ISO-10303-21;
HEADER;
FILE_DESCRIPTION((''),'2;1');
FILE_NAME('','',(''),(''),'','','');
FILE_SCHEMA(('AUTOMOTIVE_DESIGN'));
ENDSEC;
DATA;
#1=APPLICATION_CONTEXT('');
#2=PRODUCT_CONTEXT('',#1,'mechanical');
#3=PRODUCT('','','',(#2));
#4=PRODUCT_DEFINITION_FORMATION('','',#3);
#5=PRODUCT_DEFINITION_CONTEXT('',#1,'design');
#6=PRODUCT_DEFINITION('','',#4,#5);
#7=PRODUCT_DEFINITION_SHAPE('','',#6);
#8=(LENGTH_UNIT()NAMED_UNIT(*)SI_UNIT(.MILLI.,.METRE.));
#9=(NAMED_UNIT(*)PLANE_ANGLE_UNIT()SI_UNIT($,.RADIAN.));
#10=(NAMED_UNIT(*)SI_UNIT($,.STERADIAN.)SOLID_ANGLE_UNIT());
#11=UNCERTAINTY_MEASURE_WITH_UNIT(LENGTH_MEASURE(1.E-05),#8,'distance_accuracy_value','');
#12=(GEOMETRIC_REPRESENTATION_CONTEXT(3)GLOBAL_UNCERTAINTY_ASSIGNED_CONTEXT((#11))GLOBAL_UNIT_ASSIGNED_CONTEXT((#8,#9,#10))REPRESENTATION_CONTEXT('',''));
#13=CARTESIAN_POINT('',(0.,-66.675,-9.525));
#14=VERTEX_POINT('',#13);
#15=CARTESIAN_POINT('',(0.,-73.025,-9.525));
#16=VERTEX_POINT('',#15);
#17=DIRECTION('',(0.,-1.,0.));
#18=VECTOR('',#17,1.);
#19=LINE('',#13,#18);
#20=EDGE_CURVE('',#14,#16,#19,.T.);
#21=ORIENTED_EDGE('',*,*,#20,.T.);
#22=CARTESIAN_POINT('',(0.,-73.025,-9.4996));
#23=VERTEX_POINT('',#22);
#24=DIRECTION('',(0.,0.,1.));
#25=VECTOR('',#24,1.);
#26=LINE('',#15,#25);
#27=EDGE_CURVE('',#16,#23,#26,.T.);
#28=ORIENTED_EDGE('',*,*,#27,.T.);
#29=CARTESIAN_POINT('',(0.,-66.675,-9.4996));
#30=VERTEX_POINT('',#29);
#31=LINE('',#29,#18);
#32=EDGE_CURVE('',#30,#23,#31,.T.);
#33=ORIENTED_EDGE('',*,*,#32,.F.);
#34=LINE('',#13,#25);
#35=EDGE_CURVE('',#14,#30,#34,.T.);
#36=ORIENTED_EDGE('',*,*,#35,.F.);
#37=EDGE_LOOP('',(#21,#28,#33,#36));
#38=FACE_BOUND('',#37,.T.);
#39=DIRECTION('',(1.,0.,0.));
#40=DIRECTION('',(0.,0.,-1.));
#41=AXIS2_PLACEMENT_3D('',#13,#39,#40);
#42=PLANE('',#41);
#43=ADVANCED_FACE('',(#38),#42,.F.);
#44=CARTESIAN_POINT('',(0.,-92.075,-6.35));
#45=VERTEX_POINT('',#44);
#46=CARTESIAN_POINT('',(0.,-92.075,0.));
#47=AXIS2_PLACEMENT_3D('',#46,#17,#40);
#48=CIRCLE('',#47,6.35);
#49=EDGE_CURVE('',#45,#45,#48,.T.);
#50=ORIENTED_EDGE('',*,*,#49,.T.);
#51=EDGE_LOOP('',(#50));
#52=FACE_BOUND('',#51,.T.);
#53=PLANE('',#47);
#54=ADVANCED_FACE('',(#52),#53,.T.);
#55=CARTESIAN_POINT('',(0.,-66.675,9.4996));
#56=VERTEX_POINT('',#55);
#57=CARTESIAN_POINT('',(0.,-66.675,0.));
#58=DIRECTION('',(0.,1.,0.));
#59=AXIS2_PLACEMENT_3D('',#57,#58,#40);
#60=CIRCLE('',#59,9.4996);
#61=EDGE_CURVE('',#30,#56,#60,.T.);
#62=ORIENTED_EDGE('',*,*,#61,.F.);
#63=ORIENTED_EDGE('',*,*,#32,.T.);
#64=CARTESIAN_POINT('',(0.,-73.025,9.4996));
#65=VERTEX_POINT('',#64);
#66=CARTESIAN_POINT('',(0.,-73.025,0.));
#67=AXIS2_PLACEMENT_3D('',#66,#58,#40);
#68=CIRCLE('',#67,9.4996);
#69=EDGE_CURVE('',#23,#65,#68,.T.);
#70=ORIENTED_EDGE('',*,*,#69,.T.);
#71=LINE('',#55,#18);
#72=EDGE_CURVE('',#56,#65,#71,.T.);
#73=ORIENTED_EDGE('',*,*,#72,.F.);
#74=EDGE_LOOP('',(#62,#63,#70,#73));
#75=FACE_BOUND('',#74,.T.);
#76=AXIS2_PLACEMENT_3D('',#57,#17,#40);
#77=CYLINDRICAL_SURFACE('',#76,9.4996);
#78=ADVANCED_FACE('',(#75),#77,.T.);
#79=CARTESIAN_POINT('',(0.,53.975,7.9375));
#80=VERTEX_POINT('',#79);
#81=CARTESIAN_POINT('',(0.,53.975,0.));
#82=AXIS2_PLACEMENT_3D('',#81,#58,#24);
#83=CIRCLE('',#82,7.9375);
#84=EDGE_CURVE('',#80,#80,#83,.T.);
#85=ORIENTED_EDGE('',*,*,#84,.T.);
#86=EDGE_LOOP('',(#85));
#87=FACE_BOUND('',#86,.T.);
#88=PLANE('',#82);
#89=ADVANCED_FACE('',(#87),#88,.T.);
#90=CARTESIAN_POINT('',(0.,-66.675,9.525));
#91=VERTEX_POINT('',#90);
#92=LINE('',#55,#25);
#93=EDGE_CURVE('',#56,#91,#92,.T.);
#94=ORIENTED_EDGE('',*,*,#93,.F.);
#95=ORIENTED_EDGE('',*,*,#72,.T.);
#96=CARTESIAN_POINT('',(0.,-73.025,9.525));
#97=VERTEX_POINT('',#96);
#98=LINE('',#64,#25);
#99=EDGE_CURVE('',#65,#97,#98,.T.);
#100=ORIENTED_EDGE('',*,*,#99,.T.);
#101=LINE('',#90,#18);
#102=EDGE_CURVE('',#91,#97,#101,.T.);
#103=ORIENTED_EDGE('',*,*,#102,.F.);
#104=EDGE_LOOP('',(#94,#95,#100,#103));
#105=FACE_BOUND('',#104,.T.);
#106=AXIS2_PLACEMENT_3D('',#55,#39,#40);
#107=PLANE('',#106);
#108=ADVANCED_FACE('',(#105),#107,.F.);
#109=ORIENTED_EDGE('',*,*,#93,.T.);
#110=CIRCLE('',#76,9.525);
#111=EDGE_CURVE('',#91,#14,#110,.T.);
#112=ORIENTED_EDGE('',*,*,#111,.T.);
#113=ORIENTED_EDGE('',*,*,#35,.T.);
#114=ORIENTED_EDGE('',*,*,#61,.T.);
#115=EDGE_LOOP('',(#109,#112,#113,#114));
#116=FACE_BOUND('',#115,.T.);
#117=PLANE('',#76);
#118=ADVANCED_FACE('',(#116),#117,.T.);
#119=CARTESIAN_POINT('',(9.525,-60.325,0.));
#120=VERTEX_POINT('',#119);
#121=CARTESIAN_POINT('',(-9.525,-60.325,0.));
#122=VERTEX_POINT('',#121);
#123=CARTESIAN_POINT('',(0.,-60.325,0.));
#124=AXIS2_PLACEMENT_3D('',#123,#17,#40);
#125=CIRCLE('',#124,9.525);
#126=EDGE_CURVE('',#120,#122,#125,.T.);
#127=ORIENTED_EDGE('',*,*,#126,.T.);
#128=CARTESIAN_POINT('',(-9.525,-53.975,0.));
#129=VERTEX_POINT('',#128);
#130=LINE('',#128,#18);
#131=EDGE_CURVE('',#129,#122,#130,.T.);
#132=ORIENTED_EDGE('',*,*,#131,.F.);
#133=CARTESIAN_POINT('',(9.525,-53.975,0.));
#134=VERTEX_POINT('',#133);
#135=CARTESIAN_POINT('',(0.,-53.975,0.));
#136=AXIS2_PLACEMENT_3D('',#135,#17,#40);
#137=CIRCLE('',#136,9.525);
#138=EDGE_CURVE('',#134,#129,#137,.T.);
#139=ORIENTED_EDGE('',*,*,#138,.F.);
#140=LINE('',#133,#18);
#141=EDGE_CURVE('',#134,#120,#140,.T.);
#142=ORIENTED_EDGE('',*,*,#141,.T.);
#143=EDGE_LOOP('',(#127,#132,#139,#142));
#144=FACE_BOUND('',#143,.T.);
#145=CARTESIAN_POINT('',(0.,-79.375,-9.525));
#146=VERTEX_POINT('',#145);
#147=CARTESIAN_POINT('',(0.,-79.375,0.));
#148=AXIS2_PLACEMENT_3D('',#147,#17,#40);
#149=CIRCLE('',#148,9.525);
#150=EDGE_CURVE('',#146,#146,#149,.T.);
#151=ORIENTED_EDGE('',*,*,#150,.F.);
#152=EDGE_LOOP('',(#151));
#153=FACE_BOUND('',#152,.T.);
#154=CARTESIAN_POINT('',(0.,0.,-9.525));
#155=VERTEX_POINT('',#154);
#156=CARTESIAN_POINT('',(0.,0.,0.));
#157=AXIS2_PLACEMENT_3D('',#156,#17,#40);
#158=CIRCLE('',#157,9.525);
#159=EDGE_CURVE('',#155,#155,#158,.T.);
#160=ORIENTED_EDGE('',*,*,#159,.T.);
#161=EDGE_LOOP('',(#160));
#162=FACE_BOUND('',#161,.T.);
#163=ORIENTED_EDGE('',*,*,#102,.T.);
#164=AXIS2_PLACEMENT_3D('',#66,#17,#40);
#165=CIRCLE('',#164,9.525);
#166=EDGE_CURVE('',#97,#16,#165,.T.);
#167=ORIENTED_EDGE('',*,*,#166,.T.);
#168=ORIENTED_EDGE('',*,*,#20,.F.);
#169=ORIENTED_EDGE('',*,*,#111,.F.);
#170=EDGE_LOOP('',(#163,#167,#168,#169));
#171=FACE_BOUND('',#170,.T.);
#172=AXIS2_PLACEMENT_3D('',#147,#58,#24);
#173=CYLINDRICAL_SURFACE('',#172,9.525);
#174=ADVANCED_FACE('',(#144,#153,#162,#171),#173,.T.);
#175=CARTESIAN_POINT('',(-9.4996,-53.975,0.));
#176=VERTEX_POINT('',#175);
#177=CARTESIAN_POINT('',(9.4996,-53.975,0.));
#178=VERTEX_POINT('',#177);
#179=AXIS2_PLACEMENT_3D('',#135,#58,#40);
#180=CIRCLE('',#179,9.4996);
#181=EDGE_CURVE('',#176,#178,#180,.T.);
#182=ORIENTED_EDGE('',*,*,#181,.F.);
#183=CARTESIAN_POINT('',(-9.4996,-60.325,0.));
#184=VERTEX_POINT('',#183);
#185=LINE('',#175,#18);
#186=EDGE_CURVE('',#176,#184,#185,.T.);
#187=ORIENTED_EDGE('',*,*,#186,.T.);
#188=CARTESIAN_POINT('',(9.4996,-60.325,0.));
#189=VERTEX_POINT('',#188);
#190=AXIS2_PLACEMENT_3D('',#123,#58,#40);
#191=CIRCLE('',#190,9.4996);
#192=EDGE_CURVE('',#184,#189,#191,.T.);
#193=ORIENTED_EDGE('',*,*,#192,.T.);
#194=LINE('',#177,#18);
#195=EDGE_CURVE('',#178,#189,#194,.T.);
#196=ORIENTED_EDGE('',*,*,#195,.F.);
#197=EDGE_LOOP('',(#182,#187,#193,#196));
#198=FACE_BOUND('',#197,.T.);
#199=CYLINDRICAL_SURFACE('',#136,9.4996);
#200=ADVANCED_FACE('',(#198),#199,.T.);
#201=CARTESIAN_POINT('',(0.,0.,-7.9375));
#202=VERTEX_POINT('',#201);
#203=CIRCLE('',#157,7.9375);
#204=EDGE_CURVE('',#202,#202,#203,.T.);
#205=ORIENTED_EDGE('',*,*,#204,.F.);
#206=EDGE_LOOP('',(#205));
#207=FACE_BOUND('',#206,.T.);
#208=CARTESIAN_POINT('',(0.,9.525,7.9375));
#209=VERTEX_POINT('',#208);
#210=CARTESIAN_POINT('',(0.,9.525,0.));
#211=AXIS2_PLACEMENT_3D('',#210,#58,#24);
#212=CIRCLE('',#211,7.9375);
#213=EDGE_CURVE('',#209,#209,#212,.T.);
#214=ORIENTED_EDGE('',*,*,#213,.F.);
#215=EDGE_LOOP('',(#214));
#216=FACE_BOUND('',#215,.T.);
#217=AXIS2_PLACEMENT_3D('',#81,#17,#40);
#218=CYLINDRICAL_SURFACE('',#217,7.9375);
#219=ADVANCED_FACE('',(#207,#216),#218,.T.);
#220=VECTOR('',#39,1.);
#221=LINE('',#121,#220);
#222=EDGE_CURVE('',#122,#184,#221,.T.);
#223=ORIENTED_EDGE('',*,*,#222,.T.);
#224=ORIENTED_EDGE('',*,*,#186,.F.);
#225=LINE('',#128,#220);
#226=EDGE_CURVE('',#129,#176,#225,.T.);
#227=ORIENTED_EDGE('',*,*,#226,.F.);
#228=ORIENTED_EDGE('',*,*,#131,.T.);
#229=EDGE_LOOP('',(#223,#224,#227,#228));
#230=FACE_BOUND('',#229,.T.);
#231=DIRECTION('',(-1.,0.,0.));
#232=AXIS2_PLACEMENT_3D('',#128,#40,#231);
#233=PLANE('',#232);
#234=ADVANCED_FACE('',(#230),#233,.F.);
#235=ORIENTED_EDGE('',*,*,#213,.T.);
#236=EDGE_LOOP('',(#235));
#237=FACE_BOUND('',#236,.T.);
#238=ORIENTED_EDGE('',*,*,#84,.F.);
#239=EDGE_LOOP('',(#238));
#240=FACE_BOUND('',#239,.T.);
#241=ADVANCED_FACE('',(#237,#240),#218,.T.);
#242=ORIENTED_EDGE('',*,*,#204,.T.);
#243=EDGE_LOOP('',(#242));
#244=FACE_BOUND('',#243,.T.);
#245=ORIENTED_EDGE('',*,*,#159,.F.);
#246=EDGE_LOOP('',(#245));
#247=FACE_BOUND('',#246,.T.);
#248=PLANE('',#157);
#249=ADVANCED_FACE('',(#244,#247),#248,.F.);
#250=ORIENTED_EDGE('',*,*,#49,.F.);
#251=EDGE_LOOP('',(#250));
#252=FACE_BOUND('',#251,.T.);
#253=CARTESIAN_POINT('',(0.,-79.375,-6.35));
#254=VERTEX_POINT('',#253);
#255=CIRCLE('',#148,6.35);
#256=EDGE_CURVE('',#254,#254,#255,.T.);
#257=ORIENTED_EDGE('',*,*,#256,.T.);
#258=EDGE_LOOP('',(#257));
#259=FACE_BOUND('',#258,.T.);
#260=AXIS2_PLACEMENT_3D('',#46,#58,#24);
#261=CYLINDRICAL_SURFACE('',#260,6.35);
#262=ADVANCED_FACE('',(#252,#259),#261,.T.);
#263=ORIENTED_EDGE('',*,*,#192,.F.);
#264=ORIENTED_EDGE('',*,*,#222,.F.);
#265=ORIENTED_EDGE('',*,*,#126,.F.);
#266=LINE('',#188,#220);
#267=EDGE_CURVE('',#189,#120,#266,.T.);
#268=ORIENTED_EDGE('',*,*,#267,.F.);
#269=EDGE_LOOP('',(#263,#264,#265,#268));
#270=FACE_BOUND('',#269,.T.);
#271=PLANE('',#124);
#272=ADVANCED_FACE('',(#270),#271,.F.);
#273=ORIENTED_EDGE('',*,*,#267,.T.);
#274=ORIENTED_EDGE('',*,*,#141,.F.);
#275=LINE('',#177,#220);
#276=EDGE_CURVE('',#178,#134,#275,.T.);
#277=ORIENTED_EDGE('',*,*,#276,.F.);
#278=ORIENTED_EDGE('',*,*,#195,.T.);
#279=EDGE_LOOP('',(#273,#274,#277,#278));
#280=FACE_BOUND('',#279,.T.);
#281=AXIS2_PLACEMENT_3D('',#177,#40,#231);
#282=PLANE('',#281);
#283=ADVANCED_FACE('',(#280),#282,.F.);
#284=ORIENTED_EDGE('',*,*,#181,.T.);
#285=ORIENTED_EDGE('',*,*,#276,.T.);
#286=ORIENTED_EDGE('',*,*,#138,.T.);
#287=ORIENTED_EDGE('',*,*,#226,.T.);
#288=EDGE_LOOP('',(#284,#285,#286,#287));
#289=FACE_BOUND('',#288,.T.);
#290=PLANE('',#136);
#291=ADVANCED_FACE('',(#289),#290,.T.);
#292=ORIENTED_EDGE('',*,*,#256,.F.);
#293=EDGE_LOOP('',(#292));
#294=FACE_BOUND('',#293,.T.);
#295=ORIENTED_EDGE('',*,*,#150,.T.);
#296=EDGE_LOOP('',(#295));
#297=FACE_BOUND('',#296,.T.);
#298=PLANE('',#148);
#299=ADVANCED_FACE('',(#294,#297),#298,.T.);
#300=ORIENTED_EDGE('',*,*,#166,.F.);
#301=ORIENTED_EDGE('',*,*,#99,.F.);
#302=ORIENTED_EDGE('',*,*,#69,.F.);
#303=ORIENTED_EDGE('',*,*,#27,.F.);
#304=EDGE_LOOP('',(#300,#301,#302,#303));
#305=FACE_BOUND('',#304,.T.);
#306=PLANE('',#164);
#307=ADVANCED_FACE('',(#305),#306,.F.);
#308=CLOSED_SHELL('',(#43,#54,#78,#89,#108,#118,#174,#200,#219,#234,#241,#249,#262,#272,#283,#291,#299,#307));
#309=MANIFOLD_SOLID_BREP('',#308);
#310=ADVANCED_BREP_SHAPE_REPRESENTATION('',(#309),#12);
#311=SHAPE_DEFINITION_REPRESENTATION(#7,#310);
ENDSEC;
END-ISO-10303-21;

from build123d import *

# Parameters (mm, degrees)
SKETCH1_R           = 7.9375
BOSS_EXTRUDE1_DEPTH = 53.975
SKETCH2_R           = 9.525
BOSS_EXTRUDE2_DEPTH = 79.375
SKETCH3_R           = 6.35
BOSS_EXTRUDE3_DEPTH = 12.7
CUT_EXTRUDE1_DEPTH  = 6.35
CUT_EXTRUDE2_DEPTH  = 6.35


with BuildPart() as part:
    # Sketch1 → Boss-Extrude1 (new body)
    with BuildSketch(Plane(origin=(0, 0, 0), x_dir=(1, 0, 0), z_dir=(0, 1, 0))):
        with Locations(Location((0, 0, 0), (0, 0, 270))):  # turned: the seam where the file's is
            Circle(SKETCH1_R)
    extrude(amount=BOSS_EXTRUDE1_DEPTH)

    # Sketch2 → Boss-Extrude2 (add)
    with BuildSketch(Plane.XZ):
        with Locations(Location((0, 0, 0), (0, 0, 270))):  # turned: the seam where the file's is
            Circle(SKETCH2_R)
    extrude(amount=BOSS_EXTRUDE2_DEPTH)

    # Sketch3 → Boss-Extrude3 (add)
    with BuildSketch(Plane.XZ.offset(79.375)):
        with Locations(Location((0, 0, 0), (0, 0, 270))):  # turned: the seam where the file's is
            Circle(SKETCH3_R)
    extrude(amount=BOSS_EXTRUDE3_DEPTH)

    # Sketch4 → Cut-Extrude1 (cut)
    with BuildSketch(Plane(origin=(0, -73.025, 0), x_dir=(-1, 0, 0), z_dir=(0, -1, 0))):
        with BuildLine():
            Line((0, 9.525), (0, 9.4996))
            ThreePointArc((0, 9.4996), (9.4996, 0), (0, -9.4996))
            Line((0, -9.4996), (0, -9.525))
            ThreePointArc((0, -9.525), (9.525, 0), (0, 9.525))
        make_face()
    extrude(amount=-CUT_EXTRUDE1_DEPTH, mode=Mode.SUBTRACT)

    # Sketch5 → Cut-Extrude2 (cut)
    with BuildSketch(Plane.XZ.offset(60.325)):
        with BuildLine():
            Line((-9.525, 0), (-9.4996, 0))
            ThreePointArc((-9.4996, 0), (0, 9.4996), (9.4996, 0))
            Line((9.4996, 0), (9.525, 0))
            ThreePointArc((9.525, 0), (0, 9.525), (-9.525, 0))
        make_face()
    extrude(amount=-CUT_EXTRUDE2_DEPTH, mode=Mode.SUBTRACT)


solid = part.part
